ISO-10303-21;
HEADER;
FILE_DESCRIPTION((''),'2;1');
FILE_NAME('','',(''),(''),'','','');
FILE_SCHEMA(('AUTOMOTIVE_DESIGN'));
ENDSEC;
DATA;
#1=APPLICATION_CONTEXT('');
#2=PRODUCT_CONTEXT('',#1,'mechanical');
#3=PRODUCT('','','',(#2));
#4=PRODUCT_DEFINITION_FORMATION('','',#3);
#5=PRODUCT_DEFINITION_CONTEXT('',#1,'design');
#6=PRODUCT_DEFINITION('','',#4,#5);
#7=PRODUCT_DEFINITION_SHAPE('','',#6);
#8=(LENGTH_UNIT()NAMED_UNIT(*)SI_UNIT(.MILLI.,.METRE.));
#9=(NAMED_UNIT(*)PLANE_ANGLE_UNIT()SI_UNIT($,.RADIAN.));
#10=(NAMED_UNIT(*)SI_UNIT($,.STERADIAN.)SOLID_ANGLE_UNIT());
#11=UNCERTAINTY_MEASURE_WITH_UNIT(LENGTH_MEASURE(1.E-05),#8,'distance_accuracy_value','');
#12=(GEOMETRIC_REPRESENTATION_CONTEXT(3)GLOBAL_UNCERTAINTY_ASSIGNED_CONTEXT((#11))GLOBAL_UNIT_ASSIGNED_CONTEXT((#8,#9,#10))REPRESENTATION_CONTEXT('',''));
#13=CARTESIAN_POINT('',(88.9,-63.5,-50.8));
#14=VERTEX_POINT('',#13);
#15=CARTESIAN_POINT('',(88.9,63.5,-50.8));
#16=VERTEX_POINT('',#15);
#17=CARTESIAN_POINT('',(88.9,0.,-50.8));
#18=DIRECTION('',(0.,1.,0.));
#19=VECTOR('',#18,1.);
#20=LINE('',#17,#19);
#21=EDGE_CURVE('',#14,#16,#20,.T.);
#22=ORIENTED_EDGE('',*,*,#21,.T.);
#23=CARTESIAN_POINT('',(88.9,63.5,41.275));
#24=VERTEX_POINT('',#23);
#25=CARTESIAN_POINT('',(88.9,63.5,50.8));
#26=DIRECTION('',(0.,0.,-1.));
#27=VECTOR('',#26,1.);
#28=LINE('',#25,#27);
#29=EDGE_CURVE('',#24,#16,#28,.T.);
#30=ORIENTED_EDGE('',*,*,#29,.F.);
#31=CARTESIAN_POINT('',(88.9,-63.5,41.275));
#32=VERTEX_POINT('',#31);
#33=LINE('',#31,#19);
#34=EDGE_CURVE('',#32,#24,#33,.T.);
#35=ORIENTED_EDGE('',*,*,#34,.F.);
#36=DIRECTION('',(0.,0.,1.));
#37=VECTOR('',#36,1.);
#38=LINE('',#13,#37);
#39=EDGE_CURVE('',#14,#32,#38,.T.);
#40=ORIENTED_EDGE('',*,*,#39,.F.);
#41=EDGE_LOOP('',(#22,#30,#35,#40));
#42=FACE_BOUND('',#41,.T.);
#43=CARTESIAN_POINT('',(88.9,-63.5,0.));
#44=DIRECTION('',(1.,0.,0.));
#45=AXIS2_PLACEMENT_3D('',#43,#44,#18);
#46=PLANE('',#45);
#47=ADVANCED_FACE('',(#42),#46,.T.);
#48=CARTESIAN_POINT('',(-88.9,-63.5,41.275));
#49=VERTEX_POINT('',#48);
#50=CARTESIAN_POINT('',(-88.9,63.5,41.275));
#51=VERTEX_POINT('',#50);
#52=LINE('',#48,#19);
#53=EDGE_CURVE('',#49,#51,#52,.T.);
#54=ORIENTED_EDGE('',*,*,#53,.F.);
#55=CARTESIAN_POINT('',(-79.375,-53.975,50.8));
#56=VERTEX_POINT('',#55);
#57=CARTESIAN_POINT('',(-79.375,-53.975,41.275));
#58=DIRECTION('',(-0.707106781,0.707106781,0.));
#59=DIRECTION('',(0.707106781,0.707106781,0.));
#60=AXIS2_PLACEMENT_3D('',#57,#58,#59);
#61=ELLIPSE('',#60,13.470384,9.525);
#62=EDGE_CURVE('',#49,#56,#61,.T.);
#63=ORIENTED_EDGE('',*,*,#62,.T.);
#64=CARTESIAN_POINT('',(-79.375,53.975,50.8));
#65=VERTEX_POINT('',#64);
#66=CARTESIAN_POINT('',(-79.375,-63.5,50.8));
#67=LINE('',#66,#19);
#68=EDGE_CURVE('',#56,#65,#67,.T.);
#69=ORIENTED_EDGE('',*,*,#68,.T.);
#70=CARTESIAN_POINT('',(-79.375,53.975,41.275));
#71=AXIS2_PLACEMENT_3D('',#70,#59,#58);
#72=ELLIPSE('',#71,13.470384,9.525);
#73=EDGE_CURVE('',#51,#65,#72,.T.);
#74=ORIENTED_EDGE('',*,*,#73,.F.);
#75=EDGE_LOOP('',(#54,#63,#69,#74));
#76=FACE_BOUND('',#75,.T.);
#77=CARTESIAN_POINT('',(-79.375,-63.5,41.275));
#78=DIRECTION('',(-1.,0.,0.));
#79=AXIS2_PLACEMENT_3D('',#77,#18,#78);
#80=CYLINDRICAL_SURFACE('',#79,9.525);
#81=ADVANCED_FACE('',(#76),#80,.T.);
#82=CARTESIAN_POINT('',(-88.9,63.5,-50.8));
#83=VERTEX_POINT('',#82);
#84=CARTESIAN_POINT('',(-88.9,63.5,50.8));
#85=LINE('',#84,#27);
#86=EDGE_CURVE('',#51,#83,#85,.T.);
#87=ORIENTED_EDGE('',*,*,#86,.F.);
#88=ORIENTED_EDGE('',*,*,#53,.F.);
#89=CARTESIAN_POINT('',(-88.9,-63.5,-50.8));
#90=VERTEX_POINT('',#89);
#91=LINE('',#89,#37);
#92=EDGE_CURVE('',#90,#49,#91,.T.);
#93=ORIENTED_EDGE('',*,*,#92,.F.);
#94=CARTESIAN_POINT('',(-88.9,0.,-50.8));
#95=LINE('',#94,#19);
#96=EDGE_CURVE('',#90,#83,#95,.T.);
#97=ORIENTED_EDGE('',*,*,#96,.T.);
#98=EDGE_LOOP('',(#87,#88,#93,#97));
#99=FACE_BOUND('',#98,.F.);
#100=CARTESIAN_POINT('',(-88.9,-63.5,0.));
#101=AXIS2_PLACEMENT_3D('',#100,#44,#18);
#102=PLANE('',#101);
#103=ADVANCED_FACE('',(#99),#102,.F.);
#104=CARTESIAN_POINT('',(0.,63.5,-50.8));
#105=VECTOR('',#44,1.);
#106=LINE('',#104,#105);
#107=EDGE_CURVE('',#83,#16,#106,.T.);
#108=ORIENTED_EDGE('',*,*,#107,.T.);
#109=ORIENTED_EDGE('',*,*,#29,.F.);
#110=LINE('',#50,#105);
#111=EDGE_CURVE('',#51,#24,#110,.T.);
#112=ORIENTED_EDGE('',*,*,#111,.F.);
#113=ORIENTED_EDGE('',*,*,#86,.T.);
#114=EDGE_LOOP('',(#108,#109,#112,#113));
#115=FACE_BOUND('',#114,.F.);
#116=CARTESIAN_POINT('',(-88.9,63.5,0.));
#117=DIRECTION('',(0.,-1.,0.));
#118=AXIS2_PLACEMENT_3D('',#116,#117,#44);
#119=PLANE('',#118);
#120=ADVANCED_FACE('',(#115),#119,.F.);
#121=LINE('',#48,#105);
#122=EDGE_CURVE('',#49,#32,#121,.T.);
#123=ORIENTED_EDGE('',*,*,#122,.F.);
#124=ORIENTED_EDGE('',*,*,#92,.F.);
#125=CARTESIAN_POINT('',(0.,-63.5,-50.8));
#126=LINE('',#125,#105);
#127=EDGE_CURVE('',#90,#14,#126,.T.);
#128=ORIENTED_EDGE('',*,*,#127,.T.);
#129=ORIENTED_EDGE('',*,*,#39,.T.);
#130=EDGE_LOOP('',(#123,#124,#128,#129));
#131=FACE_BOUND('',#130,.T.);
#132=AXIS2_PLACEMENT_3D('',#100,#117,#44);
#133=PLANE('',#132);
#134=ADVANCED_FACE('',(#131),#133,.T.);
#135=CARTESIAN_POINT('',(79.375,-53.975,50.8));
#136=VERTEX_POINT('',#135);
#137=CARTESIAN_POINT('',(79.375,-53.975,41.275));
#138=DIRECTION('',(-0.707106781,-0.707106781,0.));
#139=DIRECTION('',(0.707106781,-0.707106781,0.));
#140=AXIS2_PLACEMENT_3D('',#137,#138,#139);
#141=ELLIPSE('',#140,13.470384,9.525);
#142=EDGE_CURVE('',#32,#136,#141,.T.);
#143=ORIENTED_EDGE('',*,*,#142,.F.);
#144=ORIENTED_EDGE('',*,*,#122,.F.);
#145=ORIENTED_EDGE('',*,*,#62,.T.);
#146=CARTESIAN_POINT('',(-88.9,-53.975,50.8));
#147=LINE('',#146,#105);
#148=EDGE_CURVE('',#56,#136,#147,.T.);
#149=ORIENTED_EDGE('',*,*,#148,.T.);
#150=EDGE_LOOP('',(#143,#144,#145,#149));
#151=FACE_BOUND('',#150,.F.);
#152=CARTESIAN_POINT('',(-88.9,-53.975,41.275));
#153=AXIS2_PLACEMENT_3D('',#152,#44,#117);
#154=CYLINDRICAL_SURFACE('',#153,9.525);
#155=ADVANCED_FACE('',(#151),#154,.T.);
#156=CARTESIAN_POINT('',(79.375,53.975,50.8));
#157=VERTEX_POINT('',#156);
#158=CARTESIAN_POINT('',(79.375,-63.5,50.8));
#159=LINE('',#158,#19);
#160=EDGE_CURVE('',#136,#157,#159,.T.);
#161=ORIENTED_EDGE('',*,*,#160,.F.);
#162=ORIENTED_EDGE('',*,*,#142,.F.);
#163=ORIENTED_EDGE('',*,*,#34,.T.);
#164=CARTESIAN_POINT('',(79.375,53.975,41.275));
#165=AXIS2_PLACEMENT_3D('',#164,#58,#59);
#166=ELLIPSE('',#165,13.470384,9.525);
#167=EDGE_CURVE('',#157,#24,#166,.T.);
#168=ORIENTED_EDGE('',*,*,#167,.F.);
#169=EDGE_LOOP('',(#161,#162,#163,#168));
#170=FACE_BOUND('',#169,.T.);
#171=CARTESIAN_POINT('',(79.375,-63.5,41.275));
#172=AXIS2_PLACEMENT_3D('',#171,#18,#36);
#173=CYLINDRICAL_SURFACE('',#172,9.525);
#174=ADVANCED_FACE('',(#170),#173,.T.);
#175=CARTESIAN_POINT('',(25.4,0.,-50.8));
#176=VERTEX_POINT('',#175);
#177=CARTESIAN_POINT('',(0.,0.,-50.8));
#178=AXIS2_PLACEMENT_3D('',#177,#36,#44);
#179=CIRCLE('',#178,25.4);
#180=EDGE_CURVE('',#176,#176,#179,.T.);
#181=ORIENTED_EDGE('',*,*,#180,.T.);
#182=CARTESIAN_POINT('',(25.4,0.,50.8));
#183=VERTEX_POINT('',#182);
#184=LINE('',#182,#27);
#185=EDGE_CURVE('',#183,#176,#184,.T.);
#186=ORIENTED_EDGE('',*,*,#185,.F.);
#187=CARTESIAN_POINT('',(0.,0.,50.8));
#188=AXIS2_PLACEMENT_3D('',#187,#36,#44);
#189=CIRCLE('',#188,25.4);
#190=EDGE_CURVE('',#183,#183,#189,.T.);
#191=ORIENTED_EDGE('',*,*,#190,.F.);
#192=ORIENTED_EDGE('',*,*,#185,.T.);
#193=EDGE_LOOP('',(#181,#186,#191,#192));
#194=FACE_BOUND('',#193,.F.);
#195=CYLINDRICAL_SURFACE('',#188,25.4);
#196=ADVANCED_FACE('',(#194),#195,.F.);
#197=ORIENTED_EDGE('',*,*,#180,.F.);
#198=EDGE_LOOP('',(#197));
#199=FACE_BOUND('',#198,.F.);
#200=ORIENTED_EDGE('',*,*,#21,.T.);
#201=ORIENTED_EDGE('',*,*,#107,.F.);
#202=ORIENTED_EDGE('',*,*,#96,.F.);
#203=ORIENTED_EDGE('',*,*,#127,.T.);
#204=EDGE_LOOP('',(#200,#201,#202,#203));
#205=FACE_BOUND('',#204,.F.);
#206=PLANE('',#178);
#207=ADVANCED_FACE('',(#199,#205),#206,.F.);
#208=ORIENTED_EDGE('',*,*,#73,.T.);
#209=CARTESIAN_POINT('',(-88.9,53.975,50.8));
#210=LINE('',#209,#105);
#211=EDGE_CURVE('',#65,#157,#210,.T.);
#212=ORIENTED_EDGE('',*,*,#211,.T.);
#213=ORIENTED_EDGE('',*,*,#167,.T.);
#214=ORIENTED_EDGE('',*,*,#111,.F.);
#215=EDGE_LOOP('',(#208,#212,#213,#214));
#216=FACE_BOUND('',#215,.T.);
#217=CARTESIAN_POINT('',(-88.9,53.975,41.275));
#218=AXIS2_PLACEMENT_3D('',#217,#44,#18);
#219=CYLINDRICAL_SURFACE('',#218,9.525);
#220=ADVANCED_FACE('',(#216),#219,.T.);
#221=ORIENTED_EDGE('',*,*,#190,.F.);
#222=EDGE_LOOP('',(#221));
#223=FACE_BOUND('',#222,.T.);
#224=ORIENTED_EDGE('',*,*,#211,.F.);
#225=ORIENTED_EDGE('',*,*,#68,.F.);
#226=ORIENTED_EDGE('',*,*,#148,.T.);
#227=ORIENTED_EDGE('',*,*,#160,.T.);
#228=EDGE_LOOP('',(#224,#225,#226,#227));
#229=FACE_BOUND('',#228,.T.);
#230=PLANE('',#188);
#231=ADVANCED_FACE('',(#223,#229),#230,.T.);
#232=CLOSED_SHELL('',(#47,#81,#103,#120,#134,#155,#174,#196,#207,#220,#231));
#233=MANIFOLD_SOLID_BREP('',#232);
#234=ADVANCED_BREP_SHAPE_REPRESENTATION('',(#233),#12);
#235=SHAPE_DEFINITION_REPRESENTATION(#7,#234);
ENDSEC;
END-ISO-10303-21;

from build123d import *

# Parameters (mm, degrees)
F0_W     = 177.8
F0_H     = 127
F1_DEPTH = 50.8
F2_R     = 25.4
F3_DEPTH = 101.601
F4_R     = 9.525


with BuildPart() as f1:
    # F0 (on Top) → F1 (new body, symmetric)
    with BuildSketch(Plane.XY):
        Rectangle(F0_W, F0_H)
    extrude(amount=F1_DEPTH, both=True)

    # F2 (on face) → F3 (cut, through all)
    with BuildSketch(Plane.XY.offset(50.8)):
        Circle(F2_R)
    extrude(amount=-F3_DEPTH, mode=Mode.SUBTRACT)

    # F4
    f4_edges = [f1.edges().sort_by_distance(p)[0] for p in [
        (0, -63.5, 50.8),
        (-88.9, 0, 50.8),
        (88.9, 0, 50.8),
        (0, 63.5, 50.8),
    ]]
    fillet(f4_edges, radius=F4_R)


solid = f1.part
